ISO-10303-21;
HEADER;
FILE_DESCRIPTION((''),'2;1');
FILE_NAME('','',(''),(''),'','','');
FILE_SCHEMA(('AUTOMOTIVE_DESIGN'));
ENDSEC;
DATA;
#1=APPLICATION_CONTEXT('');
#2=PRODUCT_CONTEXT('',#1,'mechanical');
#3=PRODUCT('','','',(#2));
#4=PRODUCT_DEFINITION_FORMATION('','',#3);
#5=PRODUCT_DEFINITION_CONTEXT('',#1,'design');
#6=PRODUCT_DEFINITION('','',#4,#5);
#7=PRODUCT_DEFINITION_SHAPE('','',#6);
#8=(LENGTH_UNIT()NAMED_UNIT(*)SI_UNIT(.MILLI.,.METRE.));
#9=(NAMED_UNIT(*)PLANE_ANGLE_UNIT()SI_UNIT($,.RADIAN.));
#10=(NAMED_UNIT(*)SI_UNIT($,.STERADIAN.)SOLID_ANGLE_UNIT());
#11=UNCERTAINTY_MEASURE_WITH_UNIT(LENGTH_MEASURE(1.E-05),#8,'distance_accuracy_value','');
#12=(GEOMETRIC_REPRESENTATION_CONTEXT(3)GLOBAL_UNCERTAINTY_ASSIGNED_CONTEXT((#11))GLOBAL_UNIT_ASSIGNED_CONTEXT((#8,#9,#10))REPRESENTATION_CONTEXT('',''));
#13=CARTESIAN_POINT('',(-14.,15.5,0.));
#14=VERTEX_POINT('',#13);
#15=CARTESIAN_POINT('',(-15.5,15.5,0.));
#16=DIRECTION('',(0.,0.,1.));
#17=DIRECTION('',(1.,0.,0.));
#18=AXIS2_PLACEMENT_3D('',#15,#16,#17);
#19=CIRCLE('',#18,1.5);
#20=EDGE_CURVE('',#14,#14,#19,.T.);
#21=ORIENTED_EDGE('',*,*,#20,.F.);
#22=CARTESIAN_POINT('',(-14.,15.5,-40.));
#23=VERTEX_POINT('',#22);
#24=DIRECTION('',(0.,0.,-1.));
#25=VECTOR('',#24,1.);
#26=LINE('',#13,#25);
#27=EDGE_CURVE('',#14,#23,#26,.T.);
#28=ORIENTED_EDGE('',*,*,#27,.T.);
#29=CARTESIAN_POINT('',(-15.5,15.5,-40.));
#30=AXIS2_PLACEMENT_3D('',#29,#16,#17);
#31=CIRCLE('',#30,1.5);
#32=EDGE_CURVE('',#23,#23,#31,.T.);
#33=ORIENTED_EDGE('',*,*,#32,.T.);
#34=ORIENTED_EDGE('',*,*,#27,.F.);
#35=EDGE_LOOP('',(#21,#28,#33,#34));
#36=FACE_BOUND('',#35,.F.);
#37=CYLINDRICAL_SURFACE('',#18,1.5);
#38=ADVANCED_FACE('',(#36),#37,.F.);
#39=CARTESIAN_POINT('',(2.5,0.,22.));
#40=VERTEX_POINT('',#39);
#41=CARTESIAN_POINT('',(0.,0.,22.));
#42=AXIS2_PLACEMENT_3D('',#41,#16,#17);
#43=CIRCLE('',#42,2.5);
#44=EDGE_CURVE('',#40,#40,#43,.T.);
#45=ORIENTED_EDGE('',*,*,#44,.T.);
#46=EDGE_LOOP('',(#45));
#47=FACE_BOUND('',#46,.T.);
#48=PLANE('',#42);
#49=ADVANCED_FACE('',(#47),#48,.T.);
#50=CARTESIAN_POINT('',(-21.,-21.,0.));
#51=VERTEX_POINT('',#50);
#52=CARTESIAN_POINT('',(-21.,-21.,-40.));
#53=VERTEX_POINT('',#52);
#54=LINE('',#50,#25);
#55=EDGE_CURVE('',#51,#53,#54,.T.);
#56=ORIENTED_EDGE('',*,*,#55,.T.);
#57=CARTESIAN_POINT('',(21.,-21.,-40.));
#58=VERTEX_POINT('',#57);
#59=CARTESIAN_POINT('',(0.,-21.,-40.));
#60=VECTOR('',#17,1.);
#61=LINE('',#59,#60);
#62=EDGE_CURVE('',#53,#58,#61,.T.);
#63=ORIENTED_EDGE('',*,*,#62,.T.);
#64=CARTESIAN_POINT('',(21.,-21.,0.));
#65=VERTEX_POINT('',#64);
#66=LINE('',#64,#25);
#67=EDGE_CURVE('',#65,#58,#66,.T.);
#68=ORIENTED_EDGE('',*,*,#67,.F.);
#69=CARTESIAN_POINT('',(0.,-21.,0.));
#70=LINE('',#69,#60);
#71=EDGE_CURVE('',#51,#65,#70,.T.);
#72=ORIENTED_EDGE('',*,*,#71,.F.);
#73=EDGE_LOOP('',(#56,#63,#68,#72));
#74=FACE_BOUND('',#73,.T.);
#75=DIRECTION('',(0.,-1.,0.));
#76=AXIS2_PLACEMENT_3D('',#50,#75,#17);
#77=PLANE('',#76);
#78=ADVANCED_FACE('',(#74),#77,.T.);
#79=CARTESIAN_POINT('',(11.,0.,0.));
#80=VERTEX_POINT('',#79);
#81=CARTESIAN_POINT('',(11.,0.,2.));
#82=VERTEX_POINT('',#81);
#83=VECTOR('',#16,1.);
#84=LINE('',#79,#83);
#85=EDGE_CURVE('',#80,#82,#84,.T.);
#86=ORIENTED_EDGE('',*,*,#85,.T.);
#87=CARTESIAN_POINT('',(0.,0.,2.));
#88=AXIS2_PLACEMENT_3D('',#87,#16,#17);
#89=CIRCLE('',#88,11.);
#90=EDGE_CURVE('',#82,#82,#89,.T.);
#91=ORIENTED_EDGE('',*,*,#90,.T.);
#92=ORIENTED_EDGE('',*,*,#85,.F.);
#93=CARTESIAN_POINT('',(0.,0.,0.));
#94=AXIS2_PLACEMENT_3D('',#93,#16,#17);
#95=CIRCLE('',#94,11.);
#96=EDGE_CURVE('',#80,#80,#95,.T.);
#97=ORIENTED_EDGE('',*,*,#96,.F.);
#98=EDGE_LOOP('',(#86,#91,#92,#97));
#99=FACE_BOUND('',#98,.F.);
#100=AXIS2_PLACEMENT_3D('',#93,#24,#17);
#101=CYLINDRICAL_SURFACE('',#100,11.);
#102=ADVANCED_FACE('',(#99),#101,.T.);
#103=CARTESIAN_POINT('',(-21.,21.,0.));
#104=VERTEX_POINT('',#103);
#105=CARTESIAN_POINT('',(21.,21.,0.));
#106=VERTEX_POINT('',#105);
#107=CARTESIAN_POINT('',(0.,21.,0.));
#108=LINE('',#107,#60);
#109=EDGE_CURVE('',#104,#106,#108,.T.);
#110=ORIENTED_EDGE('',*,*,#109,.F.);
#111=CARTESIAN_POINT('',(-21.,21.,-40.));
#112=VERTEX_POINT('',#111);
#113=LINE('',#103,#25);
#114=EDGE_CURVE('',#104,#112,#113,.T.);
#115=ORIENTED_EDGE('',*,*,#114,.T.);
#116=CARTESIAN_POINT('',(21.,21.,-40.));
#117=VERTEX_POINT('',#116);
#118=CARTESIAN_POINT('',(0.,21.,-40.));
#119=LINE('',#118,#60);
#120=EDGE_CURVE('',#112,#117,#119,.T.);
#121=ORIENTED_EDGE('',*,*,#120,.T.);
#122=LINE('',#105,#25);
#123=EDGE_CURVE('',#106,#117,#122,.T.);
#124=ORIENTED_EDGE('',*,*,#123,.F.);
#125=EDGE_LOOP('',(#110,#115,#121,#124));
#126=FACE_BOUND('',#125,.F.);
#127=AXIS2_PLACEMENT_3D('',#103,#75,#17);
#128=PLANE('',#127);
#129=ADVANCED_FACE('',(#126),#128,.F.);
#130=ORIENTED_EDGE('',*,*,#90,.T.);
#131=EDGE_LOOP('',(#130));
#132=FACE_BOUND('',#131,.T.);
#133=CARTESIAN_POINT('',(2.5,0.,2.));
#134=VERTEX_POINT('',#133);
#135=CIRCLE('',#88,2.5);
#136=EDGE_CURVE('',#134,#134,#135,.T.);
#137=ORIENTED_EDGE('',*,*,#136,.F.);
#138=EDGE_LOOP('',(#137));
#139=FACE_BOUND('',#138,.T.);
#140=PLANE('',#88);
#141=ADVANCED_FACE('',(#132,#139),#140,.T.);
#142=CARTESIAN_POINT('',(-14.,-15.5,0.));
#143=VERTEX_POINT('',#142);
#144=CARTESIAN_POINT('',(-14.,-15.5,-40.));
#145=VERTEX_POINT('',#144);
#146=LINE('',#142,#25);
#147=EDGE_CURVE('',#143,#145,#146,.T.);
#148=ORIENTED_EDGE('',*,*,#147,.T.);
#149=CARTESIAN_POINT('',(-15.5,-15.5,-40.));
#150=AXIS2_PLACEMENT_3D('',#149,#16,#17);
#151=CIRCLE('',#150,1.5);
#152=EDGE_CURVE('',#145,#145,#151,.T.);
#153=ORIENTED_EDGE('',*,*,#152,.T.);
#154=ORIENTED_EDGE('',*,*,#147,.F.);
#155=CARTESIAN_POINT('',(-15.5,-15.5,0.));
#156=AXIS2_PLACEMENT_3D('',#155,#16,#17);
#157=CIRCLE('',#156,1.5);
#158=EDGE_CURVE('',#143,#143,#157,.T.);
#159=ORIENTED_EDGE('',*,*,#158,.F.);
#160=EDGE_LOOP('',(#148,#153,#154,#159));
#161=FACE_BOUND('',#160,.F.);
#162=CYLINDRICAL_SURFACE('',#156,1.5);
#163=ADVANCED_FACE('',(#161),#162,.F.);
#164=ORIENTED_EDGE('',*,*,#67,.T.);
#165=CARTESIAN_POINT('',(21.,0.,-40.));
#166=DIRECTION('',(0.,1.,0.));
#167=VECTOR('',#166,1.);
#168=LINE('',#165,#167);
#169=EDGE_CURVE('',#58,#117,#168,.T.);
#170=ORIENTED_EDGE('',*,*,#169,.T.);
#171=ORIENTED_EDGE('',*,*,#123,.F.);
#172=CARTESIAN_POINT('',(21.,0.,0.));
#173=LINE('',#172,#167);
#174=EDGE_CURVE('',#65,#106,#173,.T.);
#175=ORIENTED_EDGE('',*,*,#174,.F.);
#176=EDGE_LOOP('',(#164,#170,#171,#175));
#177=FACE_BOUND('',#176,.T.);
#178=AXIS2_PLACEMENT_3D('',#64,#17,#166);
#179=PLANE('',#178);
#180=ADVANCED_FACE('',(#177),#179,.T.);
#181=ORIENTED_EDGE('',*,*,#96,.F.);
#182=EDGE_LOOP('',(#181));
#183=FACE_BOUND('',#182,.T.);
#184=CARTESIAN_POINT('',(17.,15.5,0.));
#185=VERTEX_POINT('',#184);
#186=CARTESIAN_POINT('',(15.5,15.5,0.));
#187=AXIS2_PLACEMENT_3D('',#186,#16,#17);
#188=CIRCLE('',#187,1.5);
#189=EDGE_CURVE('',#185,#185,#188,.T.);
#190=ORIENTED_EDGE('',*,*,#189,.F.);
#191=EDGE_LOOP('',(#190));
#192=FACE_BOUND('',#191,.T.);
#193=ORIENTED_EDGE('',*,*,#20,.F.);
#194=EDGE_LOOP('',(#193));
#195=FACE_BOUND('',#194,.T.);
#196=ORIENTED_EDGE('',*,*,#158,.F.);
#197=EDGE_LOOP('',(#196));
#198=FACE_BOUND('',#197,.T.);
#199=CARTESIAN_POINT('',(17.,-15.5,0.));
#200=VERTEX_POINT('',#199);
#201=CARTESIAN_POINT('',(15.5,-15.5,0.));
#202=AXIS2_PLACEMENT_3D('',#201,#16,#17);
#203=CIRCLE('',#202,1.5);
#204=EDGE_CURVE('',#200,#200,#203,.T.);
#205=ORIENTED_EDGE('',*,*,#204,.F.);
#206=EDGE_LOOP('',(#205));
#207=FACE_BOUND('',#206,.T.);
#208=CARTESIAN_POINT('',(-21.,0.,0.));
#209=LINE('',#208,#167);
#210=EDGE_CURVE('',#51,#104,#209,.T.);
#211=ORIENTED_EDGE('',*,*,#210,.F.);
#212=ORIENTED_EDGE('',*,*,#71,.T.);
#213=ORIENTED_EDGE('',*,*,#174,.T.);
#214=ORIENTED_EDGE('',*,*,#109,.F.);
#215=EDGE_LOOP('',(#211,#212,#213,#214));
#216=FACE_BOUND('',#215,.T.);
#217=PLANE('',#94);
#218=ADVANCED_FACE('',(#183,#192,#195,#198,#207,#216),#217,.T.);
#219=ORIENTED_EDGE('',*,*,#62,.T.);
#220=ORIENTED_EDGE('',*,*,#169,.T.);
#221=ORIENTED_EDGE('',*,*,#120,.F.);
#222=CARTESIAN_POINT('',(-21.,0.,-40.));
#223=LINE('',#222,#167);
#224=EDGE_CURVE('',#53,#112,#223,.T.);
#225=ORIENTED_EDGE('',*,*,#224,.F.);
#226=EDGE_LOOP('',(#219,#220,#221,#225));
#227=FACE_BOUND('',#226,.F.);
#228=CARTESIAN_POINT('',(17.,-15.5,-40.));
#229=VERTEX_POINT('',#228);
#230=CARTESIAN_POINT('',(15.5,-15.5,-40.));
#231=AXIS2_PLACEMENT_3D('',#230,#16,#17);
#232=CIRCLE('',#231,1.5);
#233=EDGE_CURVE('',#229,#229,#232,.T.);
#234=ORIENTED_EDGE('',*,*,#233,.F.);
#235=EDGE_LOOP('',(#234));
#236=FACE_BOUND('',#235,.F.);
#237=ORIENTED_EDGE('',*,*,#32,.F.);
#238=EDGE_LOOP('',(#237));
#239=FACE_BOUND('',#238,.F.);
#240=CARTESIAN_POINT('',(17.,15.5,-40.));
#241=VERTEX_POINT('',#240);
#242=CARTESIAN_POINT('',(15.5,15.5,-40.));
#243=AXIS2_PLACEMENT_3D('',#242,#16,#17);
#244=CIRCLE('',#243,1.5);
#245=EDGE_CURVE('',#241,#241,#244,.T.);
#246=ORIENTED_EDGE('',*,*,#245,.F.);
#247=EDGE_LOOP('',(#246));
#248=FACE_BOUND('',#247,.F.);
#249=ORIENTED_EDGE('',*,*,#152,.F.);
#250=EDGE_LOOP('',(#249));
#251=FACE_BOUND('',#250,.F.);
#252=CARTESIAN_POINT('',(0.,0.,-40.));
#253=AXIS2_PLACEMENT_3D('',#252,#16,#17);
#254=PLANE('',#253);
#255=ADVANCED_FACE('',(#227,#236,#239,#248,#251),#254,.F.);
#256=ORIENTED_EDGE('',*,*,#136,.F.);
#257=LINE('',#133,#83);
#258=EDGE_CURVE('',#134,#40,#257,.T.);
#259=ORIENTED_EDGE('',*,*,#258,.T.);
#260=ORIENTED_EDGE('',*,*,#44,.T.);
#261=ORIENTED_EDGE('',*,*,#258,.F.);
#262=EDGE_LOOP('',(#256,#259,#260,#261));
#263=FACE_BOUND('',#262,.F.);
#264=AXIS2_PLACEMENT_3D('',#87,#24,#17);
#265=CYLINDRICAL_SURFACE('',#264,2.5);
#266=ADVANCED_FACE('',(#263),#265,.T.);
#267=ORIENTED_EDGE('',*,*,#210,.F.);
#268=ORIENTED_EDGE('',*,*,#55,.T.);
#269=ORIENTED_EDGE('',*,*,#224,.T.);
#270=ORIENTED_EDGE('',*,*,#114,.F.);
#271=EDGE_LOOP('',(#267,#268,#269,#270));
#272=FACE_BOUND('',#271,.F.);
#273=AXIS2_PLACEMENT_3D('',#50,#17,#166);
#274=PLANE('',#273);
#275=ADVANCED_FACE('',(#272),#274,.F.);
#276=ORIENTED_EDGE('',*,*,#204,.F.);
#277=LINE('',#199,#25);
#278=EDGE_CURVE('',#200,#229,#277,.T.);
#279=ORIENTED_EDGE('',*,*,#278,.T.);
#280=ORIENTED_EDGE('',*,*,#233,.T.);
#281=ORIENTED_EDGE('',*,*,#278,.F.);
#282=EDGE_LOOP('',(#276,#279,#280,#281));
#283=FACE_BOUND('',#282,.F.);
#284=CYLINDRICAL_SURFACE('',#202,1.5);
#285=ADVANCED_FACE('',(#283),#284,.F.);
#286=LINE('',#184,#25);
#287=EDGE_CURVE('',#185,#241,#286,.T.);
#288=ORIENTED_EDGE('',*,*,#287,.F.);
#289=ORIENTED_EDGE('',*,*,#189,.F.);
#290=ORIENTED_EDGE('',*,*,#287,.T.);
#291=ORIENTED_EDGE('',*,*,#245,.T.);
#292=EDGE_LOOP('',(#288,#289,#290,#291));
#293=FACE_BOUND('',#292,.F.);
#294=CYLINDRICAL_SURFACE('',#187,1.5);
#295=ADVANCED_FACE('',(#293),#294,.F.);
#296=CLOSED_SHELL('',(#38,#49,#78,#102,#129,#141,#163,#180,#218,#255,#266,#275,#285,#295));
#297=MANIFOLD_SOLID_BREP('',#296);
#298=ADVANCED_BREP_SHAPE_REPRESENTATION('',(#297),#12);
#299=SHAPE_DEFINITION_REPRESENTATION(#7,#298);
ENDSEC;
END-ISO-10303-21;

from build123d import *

# Parameters (mm, degrees)
F0_W     = 42
F0_H     = 42
F1_DEPTH = 40
F2_R     = 11
F3_DEPTH = 2
F4_R     = 2.5
F5_DEPTH = 20
F6_R     = 1.5
F7_DEPTH = 40.001


with BuildPart() as f1:
    # F0 (on Top) → F1 (new body)
    with BuildSketch(Plane.XY):
        Rectangle(F0_W, F0_H)
    extrude(amount=-F1_DEPTH)

    # F2 (on face) → F3 (join)
    with BuildSketch(Plane.XY):
        Circle(F2_R)
    extrude(amount=F3_DEPTH)

    # F4 (on face) → F5 (join)
    with BuildSketch(Plane.XY.offset(2)):
        Circle(F4_R)
    extrude(amount=F5_DEPTH)

    # F6 (on face) → F7 (cut, through all)
    with BuildSketch(Plane.XY):
        with Locations((15.5, 15.5)):
            Circle(F6_R)
        with Locations((-15.5, 15.5)):
            Circle(F6_R)
        with Locations((-15.5, -15.5)):
            Circle(F6_R)
        with Locations((15.5, -15.5)):
            Circle(F6_R)
    extrude(amount=-F7_DEPTH, mode=Mode.SUBTRACT)


solid = f1.part
